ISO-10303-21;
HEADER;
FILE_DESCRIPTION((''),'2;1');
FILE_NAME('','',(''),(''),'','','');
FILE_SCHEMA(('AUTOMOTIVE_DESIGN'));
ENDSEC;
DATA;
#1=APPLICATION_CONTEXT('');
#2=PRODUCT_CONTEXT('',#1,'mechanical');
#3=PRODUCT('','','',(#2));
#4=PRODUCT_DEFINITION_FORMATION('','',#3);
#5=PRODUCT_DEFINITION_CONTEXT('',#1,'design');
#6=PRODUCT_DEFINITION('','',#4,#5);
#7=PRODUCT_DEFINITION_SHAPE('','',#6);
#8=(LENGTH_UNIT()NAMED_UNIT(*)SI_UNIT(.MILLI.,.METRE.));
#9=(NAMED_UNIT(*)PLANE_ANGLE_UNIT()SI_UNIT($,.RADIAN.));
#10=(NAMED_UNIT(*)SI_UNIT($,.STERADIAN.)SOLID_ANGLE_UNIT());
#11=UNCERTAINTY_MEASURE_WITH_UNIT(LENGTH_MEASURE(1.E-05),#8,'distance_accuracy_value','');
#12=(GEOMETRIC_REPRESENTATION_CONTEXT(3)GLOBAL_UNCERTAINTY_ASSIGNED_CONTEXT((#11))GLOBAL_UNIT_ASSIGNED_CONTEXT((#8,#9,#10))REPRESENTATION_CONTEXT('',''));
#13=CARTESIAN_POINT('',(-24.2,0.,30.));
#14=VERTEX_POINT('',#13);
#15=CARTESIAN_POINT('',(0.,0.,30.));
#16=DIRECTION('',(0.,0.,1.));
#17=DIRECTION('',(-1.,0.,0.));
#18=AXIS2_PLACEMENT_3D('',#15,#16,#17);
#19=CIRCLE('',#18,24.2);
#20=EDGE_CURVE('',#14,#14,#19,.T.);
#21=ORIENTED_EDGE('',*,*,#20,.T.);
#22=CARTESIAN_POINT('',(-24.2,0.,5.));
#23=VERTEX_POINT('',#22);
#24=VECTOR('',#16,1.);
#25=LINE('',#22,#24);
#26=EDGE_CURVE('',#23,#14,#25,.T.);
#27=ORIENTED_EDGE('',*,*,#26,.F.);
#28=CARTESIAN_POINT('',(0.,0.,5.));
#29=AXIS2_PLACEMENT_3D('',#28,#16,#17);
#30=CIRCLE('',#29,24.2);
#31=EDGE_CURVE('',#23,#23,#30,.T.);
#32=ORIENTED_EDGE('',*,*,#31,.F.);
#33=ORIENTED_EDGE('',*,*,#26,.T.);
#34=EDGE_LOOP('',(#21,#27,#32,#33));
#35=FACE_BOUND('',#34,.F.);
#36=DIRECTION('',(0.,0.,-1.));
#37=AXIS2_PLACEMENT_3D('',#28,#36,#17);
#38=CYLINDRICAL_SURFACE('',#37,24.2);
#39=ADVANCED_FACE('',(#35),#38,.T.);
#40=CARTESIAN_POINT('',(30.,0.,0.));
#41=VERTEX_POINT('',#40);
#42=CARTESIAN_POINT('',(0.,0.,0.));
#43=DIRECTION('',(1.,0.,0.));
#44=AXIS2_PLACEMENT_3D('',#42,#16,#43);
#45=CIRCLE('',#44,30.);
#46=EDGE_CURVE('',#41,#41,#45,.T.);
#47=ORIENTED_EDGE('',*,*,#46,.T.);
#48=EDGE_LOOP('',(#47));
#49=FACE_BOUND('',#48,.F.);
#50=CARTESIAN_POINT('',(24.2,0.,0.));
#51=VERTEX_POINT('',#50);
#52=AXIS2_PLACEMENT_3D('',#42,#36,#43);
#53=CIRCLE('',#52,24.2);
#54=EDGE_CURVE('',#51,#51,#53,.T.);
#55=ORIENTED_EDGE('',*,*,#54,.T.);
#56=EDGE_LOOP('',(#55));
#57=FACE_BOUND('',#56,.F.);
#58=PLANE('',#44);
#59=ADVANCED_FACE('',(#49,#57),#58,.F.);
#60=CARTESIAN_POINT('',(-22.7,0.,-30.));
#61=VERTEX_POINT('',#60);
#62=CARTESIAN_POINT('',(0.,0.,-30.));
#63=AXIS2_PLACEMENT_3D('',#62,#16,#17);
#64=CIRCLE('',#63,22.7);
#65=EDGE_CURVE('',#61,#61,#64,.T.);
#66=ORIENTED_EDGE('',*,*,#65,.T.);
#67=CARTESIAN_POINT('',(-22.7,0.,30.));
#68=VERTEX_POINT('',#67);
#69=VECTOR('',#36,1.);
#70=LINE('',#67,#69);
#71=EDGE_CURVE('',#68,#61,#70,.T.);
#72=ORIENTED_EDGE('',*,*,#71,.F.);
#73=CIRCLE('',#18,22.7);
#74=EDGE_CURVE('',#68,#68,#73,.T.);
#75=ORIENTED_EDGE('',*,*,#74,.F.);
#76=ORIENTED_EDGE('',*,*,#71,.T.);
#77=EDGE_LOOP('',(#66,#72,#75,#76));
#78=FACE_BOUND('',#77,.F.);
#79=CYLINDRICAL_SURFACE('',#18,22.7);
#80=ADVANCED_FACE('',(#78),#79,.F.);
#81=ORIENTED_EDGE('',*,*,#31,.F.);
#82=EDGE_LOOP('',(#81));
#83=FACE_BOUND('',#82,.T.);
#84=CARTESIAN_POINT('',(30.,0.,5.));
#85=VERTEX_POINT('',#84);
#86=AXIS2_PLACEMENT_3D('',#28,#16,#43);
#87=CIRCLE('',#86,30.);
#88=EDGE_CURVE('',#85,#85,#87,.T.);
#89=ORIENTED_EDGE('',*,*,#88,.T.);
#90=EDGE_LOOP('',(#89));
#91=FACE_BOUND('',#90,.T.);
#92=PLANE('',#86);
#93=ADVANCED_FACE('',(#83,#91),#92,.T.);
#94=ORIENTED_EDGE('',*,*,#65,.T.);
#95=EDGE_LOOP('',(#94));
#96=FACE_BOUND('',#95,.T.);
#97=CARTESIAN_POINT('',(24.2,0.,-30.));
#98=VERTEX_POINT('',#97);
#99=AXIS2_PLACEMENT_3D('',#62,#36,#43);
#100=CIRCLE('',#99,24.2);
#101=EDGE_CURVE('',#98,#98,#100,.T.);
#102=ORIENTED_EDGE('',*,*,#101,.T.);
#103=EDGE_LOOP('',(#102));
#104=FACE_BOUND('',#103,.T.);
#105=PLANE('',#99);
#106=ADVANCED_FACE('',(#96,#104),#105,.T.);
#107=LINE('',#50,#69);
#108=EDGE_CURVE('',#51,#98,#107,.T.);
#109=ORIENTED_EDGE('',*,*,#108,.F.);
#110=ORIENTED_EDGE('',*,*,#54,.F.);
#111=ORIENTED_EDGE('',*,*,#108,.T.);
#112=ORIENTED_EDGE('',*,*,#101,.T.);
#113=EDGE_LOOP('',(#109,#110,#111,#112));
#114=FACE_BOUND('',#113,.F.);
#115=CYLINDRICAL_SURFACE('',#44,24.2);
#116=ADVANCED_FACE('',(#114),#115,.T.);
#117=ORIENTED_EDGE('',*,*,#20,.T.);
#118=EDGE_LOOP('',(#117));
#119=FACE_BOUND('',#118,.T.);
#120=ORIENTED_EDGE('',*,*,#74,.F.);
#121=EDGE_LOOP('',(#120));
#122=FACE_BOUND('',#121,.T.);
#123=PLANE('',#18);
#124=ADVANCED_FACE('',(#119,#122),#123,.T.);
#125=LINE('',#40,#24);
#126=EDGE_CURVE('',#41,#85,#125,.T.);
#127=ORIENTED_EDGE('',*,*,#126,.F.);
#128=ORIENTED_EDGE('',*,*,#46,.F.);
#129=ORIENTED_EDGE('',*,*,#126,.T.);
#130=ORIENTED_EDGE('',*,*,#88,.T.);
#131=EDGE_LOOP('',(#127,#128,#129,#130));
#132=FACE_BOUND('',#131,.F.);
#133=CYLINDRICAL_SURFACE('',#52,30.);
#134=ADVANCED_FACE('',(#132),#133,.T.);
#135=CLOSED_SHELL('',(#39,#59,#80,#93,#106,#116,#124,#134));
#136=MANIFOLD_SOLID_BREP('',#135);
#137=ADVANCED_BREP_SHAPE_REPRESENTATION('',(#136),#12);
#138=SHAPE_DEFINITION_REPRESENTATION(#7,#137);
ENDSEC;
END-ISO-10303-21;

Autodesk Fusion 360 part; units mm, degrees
sketch "Sketch1" plane through (0, 0, 0) normal (0, 0, 1) x (1, 0, 0)
  circle A0 centre (0, 0) radius 30
  dimension "d1" = 60
extrude "Extrude1" add sketch "Sketch1" along normal blind 5
sketch "Sketch2" plane through (0, 0, 5) normal (0, 0, 1) x (-1, 0, 0)
  circle A0 centre (0, 0) radius 30
  circle A1 centre (0, 0) radius 24.2
  dimension "d4" = 48.4
extrude "Extrude2" add sketch "Sketch2" along normal blind 25 contours A1
sketch "Sketch3" plane through (0, 0, 0) normal (0, 0, -1) x (1, 0, 0)
  circle A0 centre (0, 0) radius 30
  circle A1 centre (0, 0) radius 24.2
extrude "Extrude3" add sketch "Sketch3" along normal blind 30 contours A1
sketch "Sketch4" plane through (0, 0, 30) normal (0, 0, 1) x (-1, 0, 0)
  circle A0 centre (0, 0) radius 24.2
  circle A1 centre (0, 0) radius 22.7
  dimension "d9" = -1.5
extrude "Extrude4" cut sketch "Sketch4" against normal blind 60 contours A1
